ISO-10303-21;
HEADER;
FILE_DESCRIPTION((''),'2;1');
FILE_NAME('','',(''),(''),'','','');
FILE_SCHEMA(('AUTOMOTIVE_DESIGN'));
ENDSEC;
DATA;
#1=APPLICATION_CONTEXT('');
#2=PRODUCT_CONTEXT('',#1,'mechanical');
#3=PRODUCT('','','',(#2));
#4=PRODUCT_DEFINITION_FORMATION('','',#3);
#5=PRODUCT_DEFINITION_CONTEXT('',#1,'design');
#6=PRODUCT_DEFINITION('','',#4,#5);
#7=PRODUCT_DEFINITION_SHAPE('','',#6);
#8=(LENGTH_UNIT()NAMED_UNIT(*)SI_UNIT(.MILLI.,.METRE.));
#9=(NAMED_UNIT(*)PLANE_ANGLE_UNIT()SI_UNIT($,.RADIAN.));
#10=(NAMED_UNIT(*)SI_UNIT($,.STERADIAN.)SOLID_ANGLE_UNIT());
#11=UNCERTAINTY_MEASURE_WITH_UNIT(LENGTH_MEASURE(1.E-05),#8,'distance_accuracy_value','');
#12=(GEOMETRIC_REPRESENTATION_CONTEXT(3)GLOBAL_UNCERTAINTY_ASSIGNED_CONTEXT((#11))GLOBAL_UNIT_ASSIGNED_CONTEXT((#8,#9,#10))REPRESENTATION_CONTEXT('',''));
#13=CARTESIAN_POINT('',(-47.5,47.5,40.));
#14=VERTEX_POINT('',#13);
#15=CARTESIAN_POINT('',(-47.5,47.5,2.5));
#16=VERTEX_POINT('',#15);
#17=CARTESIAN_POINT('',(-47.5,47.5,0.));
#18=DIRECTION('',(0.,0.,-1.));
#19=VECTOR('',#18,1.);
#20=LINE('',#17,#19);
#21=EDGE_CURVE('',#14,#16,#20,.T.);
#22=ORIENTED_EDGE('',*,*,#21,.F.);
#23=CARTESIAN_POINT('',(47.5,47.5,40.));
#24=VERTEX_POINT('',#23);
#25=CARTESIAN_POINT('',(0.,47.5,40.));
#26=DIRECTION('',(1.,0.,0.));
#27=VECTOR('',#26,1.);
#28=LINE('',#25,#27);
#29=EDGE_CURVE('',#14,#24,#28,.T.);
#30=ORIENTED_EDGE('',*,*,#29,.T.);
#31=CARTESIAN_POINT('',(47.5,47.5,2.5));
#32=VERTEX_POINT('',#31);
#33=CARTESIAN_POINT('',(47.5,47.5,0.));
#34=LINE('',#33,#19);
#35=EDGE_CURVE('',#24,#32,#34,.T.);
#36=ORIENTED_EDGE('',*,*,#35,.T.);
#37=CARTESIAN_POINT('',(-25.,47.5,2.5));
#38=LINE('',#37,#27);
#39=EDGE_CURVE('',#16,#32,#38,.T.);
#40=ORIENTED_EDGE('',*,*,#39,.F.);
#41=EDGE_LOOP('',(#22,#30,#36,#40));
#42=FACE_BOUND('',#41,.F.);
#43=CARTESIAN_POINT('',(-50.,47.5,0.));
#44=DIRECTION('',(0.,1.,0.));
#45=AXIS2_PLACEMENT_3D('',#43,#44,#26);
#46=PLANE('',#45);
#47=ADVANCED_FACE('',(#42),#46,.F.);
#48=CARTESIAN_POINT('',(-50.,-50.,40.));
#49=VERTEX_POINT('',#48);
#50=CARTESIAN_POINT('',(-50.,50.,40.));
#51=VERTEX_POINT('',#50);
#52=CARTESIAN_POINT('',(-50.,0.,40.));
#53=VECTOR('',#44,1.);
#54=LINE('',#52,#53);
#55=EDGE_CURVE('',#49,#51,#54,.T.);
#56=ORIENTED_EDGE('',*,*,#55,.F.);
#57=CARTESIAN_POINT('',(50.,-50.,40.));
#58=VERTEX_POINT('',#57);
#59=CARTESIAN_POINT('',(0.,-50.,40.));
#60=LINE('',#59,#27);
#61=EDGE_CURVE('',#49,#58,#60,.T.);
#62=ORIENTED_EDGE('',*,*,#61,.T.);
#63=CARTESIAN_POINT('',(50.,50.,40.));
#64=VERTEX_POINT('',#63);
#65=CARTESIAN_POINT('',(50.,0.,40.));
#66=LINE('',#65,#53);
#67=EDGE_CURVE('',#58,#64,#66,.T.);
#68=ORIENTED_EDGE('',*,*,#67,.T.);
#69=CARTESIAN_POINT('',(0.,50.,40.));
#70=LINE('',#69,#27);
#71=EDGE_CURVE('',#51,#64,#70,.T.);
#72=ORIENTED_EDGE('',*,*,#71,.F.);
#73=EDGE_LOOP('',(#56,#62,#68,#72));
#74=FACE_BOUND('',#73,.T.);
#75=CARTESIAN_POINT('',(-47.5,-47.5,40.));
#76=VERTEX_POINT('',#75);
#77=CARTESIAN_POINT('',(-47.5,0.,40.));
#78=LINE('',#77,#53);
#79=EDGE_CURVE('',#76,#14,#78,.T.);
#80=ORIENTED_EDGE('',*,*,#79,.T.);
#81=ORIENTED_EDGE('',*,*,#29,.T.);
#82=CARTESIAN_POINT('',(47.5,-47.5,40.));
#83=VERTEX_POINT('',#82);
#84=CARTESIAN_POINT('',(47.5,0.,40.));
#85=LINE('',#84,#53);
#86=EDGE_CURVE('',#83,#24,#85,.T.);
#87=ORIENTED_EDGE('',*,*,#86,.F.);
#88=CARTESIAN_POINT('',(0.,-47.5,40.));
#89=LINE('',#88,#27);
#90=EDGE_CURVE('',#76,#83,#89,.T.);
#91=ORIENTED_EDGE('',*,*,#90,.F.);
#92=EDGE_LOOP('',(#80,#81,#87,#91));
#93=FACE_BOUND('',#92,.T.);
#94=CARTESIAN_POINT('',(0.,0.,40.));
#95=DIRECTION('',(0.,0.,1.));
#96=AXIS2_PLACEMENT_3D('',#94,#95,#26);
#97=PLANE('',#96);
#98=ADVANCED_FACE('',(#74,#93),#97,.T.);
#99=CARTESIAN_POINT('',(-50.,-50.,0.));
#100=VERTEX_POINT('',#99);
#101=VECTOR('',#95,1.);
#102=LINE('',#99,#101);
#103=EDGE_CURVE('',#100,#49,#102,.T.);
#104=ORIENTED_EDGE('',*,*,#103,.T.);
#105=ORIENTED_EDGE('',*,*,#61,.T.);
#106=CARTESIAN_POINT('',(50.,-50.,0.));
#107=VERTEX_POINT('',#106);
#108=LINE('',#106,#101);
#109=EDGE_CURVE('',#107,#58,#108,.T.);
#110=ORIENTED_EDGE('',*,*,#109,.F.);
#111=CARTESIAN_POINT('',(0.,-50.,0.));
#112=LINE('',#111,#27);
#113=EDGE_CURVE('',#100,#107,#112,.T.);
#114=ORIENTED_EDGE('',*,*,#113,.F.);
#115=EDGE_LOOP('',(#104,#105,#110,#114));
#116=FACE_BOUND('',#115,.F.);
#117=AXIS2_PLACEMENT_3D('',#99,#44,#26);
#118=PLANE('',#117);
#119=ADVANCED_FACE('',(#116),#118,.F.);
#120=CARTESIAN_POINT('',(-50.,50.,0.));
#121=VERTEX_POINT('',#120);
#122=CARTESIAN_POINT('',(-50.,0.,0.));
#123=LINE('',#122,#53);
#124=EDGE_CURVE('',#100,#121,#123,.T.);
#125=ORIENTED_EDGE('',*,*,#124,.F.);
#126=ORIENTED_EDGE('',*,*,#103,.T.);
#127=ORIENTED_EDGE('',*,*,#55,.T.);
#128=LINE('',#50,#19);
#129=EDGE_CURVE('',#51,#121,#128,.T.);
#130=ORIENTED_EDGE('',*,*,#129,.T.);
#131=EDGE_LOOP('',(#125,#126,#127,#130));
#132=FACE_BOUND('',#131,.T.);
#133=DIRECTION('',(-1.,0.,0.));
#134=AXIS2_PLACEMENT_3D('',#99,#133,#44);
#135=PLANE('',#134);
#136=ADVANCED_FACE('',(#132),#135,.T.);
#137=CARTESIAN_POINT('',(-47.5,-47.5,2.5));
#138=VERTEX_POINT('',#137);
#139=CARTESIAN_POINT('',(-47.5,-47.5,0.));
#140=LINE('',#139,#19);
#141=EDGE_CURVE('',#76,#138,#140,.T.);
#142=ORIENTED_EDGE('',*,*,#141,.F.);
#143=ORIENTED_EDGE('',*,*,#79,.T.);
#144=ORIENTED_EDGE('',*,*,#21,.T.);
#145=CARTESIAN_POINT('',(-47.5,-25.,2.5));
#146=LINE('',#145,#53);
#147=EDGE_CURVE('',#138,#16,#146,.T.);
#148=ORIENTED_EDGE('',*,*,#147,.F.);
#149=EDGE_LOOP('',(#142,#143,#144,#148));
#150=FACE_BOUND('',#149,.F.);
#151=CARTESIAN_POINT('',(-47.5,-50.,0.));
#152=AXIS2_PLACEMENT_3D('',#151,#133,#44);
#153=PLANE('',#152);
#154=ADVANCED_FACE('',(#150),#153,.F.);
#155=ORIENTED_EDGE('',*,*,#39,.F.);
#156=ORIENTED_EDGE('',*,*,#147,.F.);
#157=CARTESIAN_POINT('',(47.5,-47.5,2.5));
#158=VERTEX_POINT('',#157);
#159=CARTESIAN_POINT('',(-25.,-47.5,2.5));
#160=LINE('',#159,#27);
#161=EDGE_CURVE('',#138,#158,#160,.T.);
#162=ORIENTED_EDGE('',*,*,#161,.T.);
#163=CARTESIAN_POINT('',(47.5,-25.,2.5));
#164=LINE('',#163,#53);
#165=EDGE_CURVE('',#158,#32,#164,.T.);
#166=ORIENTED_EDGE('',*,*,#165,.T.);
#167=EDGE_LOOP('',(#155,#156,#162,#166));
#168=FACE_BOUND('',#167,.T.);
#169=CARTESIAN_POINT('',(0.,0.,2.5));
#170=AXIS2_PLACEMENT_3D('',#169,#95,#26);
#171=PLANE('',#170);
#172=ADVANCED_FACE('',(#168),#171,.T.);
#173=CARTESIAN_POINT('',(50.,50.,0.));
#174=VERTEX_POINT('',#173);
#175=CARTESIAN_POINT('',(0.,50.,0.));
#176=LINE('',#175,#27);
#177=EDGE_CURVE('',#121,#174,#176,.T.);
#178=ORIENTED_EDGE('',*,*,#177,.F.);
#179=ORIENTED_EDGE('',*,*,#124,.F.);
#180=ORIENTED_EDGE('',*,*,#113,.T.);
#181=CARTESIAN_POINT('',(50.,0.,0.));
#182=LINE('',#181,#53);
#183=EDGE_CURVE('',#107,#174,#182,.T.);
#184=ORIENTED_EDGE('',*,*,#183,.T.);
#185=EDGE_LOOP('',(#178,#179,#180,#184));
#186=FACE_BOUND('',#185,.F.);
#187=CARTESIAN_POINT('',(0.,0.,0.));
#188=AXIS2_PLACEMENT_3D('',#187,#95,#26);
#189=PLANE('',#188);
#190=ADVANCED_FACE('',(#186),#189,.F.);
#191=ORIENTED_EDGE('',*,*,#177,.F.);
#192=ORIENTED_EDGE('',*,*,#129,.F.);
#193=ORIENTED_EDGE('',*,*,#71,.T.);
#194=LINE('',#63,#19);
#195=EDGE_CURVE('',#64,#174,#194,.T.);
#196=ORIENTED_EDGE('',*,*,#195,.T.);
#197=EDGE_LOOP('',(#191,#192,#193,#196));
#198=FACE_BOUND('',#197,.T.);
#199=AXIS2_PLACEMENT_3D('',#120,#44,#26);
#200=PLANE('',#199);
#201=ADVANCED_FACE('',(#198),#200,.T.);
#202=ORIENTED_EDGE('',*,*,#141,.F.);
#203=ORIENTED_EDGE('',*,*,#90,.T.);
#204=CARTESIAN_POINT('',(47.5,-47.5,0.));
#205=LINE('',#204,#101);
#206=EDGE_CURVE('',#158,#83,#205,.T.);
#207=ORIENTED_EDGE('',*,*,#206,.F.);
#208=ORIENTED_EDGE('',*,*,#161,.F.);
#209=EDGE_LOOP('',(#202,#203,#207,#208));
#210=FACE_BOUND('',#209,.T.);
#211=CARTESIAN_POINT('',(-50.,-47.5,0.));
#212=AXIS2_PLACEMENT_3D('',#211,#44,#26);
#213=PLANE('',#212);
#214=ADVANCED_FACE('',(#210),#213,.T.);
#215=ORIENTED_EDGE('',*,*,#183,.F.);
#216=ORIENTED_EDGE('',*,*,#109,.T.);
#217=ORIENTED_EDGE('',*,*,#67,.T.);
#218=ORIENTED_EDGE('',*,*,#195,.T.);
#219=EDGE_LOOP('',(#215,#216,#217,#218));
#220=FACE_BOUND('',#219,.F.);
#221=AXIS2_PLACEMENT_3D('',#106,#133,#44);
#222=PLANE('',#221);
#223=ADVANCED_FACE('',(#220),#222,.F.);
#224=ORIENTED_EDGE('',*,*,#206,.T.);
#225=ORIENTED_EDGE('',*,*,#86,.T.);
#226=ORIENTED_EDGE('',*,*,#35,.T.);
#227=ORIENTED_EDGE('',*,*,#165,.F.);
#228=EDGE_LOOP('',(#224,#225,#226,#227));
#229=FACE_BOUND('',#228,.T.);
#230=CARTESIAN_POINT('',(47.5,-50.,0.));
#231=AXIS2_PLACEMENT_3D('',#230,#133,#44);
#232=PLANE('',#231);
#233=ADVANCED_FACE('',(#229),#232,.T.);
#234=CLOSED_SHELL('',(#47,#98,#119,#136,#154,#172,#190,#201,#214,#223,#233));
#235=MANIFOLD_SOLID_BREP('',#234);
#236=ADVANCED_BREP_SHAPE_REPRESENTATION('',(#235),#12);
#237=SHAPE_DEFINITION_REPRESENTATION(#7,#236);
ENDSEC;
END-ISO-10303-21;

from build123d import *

# Parameters (mm, degrees)
F0_W     = 100
F0_H     = 100
F1_DEPTH = 25
F2_T     = -2.5
F3_DEPTH = 40
F4_T     = -2.5


with BuildPart() as f1:
    # F0 (on Top) → F1 (new body)
    with BuildSketch(Plane.XY):
        Rectangle(F0_W, F0_H)
    extrude(amount=F1_DEPTH)

    # F2
    f2_openings = [f1.faces().sort_by_distance(p)[0] for p in [
        (0, 0, 25),
    ]]
    offset(amount=F2_T, openings=f2_openings)

    # F0 (on Top) → F3 (join)
    with BuildSketch(Plane.XY):
        Rectangle(F0_W, F0_H)
    extrude(amount=F3_DEPTH)

    # F4
    f4_openings = [f1.faces().sort_by_distance(p)[0] for p in [
        (0, 0, 40),
    ]]
    offset(amount=F4_T, openings=f4_openings)


solid = f1.part
